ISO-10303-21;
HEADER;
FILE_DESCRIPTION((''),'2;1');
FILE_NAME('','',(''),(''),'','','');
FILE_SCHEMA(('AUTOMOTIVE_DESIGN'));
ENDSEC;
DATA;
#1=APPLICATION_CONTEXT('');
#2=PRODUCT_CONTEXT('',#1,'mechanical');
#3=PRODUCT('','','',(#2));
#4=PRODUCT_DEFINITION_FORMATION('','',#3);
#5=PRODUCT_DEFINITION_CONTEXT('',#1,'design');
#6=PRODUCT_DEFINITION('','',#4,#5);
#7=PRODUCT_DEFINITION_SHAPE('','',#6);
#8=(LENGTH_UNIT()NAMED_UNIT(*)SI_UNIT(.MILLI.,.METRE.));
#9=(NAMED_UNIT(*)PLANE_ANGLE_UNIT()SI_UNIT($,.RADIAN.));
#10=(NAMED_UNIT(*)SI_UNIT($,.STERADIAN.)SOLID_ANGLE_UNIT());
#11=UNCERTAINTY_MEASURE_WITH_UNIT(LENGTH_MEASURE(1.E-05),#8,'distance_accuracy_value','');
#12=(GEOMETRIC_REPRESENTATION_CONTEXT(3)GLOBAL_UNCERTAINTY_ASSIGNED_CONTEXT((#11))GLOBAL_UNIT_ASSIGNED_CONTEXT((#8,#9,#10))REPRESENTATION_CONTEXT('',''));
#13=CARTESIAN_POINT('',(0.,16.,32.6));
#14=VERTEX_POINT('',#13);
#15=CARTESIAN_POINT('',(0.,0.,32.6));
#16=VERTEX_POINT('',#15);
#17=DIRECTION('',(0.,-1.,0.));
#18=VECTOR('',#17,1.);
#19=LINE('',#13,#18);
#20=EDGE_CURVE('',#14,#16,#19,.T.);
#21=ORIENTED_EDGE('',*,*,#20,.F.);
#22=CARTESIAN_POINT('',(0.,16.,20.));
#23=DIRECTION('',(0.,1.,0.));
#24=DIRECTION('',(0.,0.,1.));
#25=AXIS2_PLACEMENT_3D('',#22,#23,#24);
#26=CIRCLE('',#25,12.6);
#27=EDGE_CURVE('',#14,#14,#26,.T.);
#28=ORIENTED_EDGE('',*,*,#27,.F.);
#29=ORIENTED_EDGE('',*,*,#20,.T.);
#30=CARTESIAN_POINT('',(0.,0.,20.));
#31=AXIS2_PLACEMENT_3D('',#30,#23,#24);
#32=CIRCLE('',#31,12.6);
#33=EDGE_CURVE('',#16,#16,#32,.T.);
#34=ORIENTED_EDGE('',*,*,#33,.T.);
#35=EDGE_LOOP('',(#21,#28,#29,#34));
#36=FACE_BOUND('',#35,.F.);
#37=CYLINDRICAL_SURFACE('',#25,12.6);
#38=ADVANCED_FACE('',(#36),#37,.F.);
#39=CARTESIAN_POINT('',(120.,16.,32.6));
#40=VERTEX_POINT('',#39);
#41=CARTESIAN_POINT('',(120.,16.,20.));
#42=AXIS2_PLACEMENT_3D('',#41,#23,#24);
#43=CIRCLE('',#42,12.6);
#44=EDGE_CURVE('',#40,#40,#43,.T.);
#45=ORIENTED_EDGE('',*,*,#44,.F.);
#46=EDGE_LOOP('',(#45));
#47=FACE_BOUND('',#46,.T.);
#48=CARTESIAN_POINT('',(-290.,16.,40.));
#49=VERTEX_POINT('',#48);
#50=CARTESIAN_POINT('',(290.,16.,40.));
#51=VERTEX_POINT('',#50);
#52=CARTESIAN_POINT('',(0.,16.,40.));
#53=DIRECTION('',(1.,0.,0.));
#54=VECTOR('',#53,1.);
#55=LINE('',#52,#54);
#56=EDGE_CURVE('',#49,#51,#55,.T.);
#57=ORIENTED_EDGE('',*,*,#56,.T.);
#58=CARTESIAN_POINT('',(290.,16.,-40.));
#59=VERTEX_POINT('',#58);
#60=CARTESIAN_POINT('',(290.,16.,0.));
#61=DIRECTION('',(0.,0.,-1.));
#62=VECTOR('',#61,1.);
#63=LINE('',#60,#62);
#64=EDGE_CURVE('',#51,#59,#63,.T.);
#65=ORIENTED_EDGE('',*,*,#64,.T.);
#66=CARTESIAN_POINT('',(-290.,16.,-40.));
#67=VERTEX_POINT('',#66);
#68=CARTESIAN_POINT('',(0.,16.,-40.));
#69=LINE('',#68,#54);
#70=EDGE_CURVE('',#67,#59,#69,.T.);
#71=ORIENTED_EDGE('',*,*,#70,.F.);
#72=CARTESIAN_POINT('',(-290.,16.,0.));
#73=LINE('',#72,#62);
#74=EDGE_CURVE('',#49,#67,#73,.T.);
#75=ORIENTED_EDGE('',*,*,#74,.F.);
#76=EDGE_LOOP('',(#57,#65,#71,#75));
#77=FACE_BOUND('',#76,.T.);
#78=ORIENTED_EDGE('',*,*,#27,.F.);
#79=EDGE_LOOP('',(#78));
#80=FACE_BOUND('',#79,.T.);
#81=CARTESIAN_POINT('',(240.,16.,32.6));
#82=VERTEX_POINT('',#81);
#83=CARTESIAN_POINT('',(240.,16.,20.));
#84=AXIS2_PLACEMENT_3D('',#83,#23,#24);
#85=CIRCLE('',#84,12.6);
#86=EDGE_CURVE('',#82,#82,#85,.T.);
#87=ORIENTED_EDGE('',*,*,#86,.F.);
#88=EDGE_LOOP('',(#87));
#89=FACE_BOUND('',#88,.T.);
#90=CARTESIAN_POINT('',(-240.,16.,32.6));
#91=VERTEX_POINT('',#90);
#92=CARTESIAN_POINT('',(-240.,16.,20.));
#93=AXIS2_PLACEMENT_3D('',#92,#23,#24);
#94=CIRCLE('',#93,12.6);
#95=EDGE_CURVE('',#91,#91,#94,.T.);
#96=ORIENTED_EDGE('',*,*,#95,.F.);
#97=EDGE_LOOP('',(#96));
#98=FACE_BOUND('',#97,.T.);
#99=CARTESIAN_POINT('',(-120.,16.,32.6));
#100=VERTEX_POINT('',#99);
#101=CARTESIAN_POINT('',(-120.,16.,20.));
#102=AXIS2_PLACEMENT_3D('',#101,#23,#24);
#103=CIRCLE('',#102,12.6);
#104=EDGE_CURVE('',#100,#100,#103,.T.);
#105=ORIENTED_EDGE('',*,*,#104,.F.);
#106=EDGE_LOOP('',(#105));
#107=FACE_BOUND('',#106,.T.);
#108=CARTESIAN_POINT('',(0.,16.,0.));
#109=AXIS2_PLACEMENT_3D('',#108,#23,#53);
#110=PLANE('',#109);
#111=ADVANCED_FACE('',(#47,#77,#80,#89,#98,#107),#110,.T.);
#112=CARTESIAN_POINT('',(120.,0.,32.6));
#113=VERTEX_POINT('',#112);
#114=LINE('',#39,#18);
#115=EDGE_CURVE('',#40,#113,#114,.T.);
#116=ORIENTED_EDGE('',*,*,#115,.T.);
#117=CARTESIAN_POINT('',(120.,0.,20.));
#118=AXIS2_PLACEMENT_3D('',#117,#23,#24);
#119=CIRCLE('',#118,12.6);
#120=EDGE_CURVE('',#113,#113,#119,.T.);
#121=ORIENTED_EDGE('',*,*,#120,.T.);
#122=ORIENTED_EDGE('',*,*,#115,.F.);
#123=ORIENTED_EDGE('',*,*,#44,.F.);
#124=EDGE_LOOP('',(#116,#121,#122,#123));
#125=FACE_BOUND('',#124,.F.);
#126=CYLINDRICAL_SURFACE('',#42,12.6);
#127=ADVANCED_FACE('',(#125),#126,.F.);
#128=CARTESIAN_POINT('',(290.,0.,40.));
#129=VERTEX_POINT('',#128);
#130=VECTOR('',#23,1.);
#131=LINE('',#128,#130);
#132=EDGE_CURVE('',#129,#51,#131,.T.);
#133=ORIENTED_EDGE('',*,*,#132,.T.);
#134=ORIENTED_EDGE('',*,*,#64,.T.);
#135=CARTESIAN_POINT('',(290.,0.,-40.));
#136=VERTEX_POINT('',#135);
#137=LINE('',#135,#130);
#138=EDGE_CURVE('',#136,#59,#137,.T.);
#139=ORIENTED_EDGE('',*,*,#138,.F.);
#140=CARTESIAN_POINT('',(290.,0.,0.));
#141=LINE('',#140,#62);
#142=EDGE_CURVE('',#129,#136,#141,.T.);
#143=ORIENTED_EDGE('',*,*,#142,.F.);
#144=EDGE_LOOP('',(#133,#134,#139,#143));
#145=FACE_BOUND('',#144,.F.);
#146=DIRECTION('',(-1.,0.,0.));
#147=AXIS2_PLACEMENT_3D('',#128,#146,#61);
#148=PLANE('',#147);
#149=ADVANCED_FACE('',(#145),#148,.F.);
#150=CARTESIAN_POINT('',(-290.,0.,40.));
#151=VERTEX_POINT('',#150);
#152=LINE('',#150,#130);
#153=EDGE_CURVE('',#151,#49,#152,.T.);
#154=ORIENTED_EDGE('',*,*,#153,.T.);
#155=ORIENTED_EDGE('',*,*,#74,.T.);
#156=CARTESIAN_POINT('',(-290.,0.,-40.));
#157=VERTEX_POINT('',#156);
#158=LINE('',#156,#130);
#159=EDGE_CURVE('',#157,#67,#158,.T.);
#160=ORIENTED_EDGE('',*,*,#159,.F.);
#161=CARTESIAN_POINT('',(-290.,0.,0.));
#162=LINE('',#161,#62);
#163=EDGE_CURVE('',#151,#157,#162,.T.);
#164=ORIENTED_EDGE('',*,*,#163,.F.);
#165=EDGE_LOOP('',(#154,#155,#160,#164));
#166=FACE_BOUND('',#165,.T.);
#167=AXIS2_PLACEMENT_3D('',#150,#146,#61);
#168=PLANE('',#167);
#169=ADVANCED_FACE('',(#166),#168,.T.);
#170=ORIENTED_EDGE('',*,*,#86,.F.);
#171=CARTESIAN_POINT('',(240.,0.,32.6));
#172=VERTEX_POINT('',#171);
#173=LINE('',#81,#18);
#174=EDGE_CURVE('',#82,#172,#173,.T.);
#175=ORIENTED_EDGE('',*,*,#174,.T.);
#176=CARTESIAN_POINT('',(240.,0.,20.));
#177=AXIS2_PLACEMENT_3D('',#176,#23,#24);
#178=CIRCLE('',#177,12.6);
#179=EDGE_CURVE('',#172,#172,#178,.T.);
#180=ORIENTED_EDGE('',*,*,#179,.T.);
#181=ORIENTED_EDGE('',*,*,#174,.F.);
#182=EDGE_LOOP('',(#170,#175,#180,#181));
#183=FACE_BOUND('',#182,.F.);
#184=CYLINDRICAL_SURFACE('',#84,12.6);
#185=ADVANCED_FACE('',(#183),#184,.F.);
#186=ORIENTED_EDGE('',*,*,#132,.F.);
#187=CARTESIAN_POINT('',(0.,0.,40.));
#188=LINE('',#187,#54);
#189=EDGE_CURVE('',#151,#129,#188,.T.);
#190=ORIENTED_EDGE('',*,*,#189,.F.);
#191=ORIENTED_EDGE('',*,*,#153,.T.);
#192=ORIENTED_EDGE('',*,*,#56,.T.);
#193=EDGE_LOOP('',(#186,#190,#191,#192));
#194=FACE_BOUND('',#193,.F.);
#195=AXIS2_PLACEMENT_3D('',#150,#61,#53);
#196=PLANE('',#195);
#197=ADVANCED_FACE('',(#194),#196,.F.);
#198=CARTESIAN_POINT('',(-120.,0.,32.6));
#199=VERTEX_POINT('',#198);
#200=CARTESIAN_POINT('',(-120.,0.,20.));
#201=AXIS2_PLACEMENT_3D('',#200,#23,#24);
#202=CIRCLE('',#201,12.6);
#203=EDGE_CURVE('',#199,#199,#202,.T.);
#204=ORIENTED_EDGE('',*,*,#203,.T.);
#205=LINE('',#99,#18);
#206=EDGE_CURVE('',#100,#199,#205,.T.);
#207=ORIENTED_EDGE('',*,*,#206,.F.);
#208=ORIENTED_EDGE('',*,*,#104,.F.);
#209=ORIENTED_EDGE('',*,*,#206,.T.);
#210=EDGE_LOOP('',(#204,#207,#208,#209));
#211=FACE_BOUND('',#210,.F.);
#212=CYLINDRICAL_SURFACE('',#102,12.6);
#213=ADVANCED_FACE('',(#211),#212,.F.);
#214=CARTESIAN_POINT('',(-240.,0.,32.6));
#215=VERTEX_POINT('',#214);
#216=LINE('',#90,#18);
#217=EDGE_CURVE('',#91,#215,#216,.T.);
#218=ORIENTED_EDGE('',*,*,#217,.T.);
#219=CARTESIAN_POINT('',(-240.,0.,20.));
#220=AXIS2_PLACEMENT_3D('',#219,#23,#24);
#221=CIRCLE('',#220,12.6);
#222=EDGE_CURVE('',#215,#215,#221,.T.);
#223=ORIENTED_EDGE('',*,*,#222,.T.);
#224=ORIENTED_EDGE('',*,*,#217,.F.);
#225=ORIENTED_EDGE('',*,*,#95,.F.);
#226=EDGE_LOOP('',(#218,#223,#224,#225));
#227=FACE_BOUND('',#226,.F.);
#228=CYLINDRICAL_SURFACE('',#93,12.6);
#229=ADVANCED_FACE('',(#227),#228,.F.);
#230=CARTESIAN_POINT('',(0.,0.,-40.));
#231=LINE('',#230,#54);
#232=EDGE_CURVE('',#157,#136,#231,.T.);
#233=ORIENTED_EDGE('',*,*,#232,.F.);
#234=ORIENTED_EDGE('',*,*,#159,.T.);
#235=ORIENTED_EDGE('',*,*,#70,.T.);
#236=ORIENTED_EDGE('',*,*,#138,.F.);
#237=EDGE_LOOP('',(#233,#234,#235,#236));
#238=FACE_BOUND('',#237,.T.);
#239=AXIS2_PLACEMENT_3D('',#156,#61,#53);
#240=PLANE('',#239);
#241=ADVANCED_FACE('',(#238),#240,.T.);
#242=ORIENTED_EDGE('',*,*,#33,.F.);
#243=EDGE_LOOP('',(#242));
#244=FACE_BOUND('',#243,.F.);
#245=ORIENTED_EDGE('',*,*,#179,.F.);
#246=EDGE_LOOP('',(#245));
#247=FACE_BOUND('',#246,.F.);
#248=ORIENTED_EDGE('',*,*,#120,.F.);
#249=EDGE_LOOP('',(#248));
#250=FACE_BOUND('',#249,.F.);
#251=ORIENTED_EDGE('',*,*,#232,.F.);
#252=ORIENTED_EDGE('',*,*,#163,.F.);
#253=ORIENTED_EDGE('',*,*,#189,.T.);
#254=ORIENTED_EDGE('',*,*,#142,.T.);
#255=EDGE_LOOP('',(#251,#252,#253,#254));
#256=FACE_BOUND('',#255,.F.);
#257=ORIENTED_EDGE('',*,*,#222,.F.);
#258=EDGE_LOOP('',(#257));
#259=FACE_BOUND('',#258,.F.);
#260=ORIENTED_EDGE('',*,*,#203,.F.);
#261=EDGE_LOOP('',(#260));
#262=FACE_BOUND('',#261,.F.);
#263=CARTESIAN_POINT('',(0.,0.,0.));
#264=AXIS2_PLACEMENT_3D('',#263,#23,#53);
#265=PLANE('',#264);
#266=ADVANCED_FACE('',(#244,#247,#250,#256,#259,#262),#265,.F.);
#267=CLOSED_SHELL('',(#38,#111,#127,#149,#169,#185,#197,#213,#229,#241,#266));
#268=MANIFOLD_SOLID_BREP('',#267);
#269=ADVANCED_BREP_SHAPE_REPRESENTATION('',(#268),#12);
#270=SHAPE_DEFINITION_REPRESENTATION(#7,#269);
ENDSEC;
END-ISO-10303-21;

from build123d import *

# Parameters (mm, degrees)
SKETCH1_W           = 580
SKETCH1_H           = 80
BOSS_EXTRUDE1_DEPTH = 16
SKETCH2_R           = 12.6
CUT_EXTRUDE1_DEPTH  = 16
LPATTERN2_COUNT     = 5
LPATTERN2_PITCH     = 120


with BuildPart() as part:
    # Sketch1 → Boss-Extrude1 (new body)
    with BuildSketch(Plane(origin=(0, 0, 0), x_dir=(1, 0, 0), z_dir=(0, 1, 0))):
        Rectangle(SKETCH1_W, SKETCH1_H)
    extrude(amount=BOSS_EXTRUDE1_DEPTH)

    # Sketch2 → Cut-Extrude1 (cut)
    with BuildSketch(Plane(origin=(0, 16, 0), x_dir=(1, 0, 0), z_dir=(0, 1, 0))):
        with Locations(Location((-240, -20, 0), (0, 0, 270))):  # turned: the seam where the file's is
            Circle(SKETCH2_R)
    cut_extrude1 = extrude(amount=-CUT_EXTRUDE1_DEPTH, mode=Mode.SUBTRACT)

    # LPattern2: Cut-Extrude1 ×5
    with Locations(*[(i * LPATTERN2_PITCH, 0, 0) for i in range(1, LPATTERN2_COUNT)]):
        add(cut_extrude1, mode=Mode.SUBTRACT)


solid = part.part
